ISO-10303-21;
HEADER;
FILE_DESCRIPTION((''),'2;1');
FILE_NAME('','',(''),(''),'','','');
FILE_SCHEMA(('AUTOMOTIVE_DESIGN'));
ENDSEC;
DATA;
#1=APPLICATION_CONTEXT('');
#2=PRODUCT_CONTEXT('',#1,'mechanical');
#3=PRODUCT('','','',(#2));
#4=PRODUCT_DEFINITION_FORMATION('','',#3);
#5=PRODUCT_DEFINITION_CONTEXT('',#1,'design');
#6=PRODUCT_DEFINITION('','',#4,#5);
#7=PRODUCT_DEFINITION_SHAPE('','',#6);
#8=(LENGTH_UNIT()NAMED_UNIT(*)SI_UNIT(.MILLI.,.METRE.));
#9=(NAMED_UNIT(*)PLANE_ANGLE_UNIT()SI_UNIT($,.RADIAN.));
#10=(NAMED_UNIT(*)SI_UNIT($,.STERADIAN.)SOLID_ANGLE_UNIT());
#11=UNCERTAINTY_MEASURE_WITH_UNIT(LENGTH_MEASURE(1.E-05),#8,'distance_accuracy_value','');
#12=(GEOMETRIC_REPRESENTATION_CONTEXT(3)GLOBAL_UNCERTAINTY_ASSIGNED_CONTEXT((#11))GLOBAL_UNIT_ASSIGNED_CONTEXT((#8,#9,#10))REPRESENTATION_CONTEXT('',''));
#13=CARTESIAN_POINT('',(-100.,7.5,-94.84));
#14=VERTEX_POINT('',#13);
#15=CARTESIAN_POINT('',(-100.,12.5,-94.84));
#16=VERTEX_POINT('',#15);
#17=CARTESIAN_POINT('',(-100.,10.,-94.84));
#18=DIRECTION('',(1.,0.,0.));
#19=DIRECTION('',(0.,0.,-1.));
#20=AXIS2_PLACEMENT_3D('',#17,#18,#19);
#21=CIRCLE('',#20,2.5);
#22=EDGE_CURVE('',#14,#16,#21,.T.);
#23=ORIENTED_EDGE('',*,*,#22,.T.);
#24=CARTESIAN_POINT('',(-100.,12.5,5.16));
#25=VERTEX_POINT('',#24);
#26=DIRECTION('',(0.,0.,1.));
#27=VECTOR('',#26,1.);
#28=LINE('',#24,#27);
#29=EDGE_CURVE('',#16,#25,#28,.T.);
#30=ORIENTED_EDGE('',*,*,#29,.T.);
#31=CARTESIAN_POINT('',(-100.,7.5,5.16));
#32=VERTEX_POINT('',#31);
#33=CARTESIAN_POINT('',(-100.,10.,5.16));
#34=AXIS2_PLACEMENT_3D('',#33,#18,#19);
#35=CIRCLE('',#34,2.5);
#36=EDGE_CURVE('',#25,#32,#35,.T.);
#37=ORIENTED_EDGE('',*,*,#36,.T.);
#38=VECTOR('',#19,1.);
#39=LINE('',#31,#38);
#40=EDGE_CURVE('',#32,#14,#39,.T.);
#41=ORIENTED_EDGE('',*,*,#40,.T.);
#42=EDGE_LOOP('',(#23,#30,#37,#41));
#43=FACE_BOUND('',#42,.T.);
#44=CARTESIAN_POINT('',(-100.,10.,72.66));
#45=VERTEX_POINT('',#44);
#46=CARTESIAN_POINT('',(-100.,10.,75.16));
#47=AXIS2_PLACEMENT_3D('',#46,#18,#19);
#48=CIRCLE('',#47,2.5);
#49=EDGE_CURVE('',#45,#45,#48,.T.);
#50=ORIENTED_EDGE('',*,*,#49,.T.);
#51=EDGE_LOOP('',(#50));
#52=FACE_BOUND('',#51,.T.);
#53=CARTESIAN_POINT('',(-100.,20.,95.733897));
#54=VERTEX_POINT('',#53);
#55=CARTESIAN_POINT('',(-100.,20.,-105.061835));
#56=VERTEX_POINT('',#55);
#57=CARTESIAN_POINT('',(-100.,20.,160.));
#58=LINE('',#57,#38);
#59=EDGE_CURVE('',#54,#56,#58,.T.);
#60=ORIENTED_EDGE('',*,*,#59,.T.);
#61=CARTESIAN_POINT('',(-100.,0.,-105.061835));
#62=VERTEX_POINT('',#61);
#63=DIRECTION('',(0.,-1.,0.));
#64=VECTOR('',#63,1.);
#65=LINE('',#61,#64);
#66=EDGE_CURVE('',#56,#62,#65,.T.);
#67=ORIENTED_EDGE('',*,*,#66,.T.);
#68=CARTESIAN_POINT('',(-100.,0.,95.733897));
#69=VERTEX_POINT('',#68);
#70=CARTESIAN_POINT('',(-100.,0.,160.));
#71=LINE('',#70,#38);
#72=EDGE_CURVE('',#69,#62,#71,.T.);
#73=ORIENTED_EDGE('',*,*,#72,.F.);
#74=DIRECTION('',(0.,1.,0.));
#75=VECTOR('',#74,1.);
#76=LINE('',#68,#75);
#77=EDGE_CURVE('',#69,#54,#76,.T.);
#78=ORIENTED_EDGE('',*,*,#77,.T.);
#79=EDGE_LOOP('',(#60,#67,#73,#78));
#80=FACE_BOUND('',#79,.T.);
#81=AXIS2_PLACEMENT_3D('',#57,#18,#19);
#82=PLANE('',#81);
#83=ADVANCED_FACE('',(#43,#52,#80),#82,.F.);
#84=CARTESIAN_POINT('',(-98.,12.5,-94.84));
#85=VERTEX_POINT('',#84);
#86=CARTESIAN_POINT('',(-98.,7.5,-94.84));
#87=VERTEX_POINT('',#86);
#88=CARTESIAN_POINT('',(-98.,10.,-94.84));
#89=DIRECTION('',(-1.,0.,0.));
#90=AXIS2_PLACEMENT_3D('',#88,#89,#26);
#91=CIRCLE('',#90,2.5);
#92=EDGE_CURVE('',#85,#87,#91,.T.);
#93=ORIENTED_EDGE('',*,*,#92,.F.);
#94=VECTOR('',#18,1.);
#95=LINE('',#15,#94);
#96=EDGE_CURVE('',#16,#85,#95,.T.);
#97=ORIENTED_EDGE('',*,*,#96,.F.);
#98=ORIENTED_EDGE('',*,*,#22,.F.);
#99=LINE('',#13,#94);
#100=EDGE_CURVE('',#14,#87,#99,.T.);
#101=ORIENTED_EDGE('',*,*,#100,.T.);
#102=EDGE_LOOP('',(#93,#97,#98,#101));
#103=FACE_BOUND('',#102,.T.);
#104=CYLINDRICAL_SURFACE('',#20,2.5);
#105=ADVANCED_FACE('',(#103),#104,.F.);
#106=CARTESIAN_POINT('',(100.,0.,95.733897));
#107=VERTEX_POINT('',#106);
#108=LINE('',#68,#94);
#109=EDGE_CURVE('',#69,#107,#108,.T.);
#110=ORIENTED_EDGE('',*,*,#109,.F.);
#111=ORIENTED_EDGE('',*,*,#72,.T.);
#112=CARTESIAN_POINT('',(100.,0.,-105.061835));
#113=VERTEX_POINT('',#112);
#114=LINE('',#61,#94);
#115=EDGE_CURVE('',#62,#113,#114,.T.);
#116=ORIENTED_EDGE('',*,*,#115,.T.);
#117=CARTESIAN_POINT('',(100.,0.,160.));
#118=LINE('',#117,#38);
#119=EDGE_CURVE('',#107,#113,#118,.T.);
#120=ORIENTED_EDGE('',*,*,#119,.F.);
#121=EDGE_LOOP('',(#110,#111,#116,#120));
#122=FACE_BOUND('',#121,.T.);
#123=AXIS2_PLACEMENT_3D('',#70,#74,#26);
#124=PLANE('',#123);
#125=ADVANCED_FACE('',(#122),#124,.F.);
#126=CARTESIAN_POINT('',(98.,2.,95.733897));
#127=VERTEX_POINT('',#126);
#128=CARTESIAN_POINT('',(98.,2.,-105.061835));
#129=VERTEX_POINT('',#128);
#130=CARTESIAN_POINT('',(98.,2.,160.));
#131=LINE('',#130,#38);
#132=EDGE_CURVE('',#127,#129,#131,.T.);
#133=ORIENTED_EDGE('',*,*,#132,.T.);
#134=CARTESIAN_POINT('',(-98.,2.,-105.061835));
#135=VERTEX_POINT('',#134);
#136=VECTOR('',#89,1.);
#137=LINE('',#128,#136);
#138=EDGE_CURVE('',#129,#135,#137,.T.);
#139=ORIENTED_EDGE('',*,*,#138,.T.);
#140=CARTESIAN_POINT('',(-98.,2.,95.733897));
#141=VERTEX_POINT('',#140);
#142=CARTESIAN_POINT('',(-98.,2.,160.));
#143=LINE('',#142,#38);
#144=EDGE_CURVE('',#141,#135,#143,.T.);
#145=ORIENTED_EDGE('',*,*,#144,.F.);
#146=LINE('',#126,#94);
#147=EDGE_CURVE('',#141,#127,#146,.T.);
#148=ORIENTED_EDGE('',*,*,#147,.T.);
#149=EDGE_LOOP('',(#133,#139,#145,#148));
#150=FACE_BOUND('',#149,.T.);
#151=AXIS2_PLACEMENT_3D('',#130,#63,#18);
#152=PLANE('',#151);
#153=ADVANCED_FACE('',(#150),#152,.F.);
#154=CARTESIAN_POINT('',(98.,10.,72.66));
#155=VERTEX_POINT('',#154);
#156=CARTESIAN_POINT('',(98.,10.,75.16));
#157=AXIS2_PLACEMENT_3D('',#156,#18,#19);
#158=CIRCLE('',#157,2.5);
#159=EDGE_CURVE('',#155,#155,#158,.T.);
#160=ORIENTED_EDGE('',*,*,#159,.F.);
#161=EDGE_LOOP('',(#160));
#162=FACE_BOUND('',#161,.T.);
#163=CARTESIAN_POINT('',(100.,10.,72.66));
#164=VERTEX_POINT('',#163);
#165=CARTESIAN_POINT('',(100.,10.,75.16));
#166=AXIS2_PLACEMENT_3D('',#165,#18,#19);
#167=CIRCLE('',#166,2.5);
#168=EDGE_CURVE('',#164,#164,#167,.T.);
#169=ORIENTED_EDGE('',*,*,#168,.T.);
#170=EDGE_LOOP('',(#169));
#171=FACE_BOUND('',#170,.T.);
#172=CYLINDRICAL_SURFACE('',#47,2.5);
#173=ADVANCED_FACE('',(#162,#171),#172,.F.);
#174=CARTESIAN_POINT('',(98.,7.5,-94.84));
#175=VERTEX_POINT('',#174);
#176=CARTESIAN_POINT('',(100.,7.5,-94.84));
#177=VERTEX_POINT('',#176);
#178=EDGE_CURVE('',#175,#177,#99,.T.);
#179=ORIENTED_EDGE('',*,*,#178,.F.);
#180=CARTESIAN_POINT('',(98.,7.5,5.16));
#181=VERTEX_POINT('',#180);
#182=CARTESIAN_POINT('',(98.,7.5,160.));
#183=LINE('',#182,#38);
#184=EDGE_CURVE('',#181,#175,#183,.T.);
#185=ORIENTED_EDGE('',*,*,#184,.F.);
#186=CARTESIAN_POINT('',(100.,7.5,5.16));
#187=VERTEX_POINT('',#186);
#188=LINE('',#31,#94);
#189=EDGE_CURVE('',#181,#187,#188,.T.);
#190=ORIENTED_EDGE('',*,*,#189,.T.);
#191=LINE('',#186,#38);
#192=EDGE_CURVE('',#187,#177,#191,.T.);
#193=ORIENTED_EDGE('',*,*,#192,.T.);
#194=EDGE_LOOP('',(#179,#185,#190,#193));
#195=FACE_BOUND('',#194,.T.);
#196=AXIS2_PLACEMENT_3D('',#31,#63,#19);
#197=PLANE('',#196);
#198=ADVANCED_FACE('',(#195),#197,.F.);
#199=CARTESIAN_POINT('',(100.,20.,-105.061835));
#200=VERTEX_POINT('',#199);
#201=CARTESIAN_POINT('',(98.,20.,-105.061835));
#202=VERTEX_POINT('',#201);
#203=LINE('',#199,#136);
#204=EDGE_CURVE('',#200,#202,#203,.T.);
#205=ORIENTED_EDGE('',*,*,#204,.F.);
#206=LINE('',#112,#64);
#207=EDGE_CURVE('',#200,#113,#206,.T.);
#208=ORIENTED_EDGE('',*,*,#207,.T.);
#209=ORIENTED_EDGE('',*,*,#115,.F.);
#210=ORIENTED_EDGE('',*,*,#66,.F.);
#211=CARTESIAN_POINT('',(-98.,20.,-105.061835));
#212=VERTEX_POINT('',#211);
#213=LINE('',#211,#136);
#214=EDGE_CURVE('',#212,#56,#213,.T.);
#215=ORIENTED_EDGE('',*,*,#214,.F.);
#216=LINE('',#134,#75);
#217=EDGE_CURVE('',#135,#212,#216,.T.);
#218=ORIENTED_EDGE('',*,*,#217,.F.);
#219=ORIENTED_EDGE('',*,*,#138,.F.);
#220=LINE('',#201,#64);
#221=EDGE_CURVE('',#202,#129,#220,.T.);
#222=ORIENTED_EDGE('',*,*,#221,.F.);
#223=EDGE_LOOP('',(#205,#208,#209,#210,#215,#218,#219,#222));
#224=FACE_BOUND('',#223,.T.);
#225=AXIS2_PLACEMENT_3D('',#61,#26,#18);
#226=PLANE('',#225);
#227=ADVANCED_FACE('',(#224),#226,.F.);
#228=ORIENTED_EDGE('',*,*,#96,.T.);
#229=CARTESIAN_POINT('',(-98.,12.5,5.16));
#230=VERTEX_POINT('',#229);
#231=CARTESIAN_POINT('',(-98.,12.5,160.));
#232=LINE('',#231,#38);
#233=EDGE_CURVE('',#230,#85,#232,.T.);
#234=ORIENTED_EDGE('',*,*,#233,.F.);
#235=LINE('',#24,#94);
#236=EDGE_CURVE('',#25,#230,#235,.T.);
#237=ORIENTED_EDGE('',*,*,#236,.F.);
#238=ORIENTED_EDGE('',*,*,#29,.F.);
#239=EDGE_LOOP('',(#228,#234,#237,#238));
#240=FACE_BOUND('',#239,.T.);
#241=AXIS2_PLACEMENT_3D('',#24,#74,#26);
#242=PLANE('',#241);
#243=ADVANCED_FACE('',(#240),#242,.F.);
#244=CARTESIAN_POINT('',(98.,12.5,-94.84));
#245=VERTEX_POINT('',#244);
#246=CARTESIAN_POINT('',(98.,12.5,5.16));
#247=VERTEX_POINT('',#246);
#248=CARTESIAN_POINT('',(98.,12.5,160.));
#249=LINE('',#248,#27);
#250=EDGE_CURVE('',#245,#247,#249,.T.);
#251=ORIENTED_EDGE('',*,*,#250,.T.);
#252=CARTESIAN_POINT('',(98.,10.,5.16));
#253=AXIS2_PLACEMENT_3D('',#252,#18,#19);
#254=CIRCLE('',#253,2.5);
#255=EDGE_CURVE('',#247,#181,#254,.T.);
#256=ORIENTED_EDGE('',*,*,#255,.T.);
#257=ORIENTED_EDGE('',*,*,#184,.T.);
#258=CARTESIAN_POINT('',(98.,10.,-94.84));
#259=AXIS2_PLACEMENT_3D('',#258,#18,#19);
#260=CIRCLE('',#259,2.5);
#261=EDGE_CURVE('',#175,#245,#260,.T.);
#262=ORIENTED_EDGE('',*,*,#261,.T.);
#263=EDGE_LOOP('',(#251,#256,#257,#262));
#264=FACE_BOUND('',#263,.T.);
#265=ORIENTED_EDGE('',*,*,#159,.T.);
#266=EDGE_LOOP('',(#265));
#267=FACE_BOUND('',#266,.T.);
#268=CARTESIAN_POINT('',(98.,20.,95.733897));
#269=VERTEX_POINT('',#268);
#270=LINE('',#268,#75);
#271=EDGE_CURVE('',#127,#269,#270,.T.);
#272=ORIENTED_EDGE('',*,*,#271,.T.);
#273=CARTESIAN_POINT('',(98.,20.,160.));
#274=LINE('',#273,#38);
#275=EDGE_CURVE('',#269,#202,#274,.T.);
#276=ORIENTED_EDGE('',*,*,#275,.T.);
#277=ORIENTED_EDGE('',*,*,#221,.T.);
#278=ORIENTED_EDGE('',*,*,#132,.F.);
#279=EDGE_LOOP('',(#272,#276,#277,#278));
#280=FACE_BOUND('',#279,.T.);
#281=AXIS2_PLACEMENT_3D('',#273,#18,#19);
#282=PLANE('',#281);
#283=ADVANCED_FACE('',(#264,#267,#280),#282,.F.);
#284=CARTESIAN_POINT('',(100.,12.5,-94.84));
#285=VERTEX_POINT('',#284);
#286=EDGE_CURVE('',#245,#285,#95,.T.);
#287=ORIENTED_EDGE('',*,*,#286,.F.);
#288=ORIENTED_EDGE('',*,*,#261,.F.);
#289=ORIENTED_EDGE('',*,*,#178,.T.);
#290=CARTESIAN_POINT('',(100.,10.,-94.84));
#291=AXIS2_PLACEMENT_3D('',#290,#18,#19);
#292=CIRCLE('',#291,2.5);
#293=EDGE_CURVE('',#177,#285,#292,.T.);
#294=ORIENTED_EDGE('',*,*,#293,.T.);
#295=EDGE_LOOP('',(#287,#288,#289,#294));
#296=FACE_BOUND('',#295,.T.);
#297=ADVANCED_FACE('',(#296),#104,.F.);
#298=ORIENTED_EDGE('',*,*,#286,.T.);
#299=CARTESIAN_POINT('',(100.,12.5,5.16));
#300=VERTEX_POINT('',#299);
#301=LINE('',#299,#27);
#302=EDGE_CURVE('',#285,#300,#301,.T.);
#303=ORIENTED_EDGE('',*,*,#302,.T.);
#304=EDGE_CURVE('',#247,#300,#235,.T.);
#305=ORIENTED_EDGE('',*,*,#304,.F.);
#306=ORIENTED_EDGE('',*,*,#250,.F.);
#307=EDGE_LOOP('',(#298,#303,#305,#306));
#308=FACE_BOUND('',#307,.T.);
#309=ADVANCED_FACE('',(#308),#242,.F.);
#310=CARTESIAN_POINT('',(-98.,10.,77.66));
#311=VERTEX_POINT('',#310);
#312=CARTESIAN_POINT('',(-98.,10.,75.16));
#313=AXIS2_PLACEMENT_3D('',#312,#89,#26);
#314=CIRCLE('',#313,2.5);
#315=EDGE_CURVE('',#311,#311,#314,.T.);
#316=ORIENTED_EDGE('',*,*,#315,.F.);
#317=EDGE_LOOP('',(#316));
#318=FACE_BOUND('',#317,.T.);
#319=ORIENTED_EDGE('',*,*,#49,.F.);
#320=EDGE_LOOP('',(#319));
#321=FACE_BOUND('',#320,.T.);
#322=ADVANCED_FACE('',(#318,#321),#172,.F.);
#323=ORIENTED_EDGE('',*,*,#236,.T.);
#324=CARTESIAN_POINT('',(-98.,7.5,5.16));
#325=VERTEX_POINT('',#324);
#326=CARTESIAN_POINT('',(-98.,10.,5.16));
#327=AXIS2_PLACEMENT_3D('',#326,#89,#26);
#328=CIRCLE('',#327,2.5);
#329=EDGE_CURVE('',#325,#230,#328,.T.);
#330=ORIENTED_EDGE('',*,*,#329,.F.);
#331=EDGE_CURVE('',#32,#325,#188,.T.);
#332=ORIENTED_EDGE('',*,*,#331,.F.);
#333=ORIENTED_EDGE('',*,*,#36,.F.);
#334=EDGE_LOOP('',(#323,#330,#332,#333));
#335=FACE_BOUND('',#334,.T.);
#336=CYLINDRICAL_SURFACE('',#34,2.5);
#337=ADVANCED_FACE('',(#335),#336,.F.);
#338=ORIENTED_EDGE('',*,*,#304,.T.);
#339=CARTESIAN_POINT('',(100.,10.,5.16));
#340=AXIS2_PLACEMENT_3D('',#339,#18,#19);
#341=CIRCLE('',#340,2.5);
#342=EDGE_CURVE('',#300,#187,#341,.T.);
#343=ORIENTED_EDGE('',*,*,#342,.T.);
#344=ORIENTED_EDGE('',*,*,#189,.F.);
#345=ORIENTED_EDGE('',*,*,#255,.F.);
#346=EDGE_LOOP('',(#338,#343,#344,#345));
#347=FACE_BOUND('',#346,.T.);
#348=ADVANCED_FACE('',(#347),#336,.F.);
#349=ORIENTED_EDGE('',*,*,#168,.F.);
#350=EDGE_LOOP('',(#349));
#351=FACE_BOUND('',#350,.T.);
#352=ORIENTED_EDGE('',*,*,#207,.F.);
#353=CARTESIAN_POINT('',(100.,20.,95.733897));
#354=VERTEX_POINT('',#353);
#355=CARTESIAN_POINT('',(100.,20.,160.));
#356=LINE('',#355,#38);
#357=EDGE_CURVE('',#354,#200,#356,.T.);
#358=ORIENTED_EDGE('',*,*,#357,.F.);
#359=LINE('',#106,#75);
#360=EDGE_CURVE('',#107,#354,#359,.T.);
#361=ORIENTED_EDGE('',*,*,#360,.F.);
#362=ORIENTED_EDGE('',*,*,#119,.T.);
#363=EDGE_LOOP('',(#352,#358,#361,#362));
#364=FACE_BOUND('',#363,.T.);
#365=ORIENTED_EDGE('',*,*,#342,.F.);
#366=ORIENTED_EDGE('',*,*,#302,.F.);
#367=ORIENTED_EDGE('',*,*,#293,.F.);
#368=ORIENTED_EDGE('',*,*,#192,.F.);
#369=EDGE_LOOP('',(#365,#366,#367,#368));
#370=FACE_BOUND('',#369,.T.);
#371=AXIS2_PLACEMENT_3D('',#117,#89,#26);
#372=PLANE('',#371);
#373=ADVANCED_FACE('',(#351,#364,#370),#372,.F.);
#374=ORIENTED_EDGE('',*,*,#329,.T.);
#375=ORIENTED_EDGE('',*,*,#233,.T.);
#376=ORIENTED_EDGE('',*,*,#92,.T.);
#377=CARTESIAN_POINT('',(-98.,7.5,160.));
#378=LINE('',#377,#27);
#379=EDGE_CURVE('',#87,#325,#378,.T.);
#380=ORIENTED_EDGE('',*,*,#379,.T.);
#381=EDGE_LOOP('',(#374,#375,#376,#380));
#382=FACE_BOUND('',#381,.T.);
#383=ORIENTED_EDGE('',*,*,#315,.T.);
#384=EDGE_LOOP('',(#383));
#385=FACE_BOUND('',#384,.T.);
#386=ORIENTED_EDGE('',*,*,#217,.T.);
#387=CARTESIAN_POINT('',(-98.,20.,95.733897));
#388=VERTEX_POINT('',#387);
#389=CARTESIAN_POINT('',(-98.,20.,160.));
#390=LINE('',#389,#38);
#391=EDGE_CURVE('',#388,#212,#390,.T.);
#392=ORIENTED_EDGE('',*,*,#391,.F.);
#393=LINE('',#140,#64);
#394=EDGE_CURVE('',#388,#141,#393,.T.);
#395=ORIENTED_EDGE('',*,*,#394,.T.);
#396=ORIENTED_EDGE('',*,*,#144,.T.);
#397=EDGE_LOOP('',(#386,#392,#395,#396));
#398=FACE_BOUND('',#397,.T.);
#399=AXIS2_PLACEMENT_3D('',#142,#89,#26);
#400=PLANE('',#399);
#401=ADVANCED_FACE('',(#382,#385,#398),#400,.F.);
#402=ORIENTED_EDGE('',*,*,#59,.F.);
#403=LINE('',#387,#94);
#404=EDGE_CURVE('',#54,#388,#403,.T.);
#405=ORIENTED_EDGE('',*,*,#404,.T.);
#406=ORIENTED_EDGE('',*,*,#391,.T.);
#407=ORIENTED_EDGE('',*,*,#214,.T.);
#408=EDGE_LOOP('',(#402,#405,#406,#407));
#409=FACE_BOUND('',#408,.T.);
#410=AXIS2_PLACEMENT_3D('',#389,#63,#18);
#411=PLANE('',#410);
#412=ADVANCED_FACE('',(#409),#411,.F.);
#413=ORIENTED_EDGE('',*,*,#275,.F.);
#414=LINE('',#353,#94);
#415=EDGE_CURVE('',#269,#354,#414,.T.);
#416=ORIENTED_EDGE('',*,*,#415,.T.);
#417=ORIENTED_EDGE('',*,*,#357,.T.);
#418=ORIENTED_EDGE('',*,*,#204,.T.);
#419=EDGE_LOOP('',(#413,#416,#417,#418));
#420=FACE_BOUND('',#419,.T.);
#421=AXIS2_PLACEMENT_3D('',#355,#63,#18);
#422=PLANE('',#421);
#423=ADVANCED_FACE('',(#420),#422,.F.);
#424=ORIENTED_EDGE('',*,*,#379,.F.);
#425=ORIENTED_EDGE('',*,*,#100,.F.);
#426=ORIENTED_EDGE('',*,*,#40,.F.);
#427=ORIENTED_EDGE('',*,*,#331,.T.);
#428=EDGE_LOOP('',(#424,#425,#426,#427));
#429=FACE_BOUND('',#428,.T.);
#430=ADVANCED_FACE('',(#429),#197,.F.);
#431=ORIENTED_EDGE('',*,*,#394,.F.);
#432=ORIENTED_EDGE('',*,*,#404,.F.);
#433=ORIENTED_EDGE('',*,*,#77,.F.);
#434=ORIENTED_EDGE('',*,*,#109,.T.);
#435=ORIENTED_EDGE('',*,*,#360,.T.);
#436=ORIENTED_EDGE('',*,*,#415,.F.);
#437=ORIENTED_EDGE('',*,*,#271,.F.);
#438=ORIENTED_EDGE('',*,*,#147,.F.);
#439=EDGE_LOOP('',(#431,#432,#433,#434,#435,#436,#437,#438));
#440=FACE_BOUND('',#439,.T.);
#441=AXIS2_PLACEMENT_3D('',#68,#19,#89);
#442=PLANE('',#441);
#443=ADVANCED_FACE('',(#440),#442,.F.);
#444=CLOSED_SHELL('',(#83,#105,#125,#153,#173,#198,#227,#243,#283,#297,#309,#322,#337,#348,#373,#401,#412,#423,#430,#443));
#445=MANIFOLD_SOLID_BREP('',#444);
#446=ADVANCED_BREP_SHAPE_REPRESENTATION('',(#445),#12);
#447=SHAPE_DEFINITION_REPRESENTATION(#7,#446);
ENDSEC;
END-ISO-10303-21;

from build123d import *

# Parameters (mm, degrees)
BOSS_EXTRUDE1_DEPTH = 160
SKETCH2_R           = 2.5
CUT_EXTRUDE1_DEPTH  = 257.904651573
SKETCH3_W           = 54.938164949
SKETCH3_H           = 56.246543956
CUT_EXTRUDE2_DEPTH  = 257.904651573
SKETCH4_W           = 64.26610288
SKETCH4_H           = 38.441019891
CUT_EXTRUDE3_DEPTH  = 257.904651573


with BuildPart() as part:
    # Sketch1 → Boss-Extrude1 (new, symmetric)
    with BuildSketch(Plane.XY):
        Polygon((-98, 20), (-100, 20), (-100, 0), (100, 0), (100, 20), (98, 20), (98, 2), (-98, 2), align=None)
    extrude(amount=BOSS_EXTRUDE1_DEPTH, both=True)

    # Sketch2 → Cut-Extrude1 (cut, through all)
    with BuildSketch(Plane(origin=(100, 0, 0), x_dir=(0, 0, -1), z_dir=(1, 0, 0))):
        with Locations((-75.16, 10)):
            Circle(SKETCH2_R)
        with BuildLine():
            Line((-5.16, 12.5), (94.84, 12.5))
            ThreePointArc((94.84, 12.5), (97.34, 10), (94.84, 7.5))
            Line((94.84, 7.5), (-5.16, 7.5))
            ThreePointArc((-5.16, 7.5), (-7.66, 10), (-5.16, 12.5))
        make_face()
    extrude(amount=-CUT_EXTRUDE1_DEPTH, mode=Mode.SUBTRACT)

    # Sketch3 → Cut-Extrude2 (cut, through all)
    with BuildSketch(Plane(origin=(100, 0, 0), x_dir=(0, 0, -1), z_dir=(1, 0, 0))):
        with Locations((132.530917526, 28.123271978)):
            Rectangle(SKETCH3_W, SKETCH3_H)
    extrude(amount=-CUT_EXTRUDE2_DEPTH, mode=Mode.SUBTRACT)

    # Sketch4 → Cut-Extrude3 (cut, through all)
    with BuildSketch(Plane(origin=(100, 0, 0), x_dir=(0, 0, -1), z_dir=(1, 0, 0))):
        with Locations((-127.86694856, 19.220509946)):
            Rectangle(SKETCH4_W, SKETCH4_H)
    extrude(amount=-CUT_EXTRUDE3_DEPTH, mode=Mode.SUBTRACT)


solid = part.part
